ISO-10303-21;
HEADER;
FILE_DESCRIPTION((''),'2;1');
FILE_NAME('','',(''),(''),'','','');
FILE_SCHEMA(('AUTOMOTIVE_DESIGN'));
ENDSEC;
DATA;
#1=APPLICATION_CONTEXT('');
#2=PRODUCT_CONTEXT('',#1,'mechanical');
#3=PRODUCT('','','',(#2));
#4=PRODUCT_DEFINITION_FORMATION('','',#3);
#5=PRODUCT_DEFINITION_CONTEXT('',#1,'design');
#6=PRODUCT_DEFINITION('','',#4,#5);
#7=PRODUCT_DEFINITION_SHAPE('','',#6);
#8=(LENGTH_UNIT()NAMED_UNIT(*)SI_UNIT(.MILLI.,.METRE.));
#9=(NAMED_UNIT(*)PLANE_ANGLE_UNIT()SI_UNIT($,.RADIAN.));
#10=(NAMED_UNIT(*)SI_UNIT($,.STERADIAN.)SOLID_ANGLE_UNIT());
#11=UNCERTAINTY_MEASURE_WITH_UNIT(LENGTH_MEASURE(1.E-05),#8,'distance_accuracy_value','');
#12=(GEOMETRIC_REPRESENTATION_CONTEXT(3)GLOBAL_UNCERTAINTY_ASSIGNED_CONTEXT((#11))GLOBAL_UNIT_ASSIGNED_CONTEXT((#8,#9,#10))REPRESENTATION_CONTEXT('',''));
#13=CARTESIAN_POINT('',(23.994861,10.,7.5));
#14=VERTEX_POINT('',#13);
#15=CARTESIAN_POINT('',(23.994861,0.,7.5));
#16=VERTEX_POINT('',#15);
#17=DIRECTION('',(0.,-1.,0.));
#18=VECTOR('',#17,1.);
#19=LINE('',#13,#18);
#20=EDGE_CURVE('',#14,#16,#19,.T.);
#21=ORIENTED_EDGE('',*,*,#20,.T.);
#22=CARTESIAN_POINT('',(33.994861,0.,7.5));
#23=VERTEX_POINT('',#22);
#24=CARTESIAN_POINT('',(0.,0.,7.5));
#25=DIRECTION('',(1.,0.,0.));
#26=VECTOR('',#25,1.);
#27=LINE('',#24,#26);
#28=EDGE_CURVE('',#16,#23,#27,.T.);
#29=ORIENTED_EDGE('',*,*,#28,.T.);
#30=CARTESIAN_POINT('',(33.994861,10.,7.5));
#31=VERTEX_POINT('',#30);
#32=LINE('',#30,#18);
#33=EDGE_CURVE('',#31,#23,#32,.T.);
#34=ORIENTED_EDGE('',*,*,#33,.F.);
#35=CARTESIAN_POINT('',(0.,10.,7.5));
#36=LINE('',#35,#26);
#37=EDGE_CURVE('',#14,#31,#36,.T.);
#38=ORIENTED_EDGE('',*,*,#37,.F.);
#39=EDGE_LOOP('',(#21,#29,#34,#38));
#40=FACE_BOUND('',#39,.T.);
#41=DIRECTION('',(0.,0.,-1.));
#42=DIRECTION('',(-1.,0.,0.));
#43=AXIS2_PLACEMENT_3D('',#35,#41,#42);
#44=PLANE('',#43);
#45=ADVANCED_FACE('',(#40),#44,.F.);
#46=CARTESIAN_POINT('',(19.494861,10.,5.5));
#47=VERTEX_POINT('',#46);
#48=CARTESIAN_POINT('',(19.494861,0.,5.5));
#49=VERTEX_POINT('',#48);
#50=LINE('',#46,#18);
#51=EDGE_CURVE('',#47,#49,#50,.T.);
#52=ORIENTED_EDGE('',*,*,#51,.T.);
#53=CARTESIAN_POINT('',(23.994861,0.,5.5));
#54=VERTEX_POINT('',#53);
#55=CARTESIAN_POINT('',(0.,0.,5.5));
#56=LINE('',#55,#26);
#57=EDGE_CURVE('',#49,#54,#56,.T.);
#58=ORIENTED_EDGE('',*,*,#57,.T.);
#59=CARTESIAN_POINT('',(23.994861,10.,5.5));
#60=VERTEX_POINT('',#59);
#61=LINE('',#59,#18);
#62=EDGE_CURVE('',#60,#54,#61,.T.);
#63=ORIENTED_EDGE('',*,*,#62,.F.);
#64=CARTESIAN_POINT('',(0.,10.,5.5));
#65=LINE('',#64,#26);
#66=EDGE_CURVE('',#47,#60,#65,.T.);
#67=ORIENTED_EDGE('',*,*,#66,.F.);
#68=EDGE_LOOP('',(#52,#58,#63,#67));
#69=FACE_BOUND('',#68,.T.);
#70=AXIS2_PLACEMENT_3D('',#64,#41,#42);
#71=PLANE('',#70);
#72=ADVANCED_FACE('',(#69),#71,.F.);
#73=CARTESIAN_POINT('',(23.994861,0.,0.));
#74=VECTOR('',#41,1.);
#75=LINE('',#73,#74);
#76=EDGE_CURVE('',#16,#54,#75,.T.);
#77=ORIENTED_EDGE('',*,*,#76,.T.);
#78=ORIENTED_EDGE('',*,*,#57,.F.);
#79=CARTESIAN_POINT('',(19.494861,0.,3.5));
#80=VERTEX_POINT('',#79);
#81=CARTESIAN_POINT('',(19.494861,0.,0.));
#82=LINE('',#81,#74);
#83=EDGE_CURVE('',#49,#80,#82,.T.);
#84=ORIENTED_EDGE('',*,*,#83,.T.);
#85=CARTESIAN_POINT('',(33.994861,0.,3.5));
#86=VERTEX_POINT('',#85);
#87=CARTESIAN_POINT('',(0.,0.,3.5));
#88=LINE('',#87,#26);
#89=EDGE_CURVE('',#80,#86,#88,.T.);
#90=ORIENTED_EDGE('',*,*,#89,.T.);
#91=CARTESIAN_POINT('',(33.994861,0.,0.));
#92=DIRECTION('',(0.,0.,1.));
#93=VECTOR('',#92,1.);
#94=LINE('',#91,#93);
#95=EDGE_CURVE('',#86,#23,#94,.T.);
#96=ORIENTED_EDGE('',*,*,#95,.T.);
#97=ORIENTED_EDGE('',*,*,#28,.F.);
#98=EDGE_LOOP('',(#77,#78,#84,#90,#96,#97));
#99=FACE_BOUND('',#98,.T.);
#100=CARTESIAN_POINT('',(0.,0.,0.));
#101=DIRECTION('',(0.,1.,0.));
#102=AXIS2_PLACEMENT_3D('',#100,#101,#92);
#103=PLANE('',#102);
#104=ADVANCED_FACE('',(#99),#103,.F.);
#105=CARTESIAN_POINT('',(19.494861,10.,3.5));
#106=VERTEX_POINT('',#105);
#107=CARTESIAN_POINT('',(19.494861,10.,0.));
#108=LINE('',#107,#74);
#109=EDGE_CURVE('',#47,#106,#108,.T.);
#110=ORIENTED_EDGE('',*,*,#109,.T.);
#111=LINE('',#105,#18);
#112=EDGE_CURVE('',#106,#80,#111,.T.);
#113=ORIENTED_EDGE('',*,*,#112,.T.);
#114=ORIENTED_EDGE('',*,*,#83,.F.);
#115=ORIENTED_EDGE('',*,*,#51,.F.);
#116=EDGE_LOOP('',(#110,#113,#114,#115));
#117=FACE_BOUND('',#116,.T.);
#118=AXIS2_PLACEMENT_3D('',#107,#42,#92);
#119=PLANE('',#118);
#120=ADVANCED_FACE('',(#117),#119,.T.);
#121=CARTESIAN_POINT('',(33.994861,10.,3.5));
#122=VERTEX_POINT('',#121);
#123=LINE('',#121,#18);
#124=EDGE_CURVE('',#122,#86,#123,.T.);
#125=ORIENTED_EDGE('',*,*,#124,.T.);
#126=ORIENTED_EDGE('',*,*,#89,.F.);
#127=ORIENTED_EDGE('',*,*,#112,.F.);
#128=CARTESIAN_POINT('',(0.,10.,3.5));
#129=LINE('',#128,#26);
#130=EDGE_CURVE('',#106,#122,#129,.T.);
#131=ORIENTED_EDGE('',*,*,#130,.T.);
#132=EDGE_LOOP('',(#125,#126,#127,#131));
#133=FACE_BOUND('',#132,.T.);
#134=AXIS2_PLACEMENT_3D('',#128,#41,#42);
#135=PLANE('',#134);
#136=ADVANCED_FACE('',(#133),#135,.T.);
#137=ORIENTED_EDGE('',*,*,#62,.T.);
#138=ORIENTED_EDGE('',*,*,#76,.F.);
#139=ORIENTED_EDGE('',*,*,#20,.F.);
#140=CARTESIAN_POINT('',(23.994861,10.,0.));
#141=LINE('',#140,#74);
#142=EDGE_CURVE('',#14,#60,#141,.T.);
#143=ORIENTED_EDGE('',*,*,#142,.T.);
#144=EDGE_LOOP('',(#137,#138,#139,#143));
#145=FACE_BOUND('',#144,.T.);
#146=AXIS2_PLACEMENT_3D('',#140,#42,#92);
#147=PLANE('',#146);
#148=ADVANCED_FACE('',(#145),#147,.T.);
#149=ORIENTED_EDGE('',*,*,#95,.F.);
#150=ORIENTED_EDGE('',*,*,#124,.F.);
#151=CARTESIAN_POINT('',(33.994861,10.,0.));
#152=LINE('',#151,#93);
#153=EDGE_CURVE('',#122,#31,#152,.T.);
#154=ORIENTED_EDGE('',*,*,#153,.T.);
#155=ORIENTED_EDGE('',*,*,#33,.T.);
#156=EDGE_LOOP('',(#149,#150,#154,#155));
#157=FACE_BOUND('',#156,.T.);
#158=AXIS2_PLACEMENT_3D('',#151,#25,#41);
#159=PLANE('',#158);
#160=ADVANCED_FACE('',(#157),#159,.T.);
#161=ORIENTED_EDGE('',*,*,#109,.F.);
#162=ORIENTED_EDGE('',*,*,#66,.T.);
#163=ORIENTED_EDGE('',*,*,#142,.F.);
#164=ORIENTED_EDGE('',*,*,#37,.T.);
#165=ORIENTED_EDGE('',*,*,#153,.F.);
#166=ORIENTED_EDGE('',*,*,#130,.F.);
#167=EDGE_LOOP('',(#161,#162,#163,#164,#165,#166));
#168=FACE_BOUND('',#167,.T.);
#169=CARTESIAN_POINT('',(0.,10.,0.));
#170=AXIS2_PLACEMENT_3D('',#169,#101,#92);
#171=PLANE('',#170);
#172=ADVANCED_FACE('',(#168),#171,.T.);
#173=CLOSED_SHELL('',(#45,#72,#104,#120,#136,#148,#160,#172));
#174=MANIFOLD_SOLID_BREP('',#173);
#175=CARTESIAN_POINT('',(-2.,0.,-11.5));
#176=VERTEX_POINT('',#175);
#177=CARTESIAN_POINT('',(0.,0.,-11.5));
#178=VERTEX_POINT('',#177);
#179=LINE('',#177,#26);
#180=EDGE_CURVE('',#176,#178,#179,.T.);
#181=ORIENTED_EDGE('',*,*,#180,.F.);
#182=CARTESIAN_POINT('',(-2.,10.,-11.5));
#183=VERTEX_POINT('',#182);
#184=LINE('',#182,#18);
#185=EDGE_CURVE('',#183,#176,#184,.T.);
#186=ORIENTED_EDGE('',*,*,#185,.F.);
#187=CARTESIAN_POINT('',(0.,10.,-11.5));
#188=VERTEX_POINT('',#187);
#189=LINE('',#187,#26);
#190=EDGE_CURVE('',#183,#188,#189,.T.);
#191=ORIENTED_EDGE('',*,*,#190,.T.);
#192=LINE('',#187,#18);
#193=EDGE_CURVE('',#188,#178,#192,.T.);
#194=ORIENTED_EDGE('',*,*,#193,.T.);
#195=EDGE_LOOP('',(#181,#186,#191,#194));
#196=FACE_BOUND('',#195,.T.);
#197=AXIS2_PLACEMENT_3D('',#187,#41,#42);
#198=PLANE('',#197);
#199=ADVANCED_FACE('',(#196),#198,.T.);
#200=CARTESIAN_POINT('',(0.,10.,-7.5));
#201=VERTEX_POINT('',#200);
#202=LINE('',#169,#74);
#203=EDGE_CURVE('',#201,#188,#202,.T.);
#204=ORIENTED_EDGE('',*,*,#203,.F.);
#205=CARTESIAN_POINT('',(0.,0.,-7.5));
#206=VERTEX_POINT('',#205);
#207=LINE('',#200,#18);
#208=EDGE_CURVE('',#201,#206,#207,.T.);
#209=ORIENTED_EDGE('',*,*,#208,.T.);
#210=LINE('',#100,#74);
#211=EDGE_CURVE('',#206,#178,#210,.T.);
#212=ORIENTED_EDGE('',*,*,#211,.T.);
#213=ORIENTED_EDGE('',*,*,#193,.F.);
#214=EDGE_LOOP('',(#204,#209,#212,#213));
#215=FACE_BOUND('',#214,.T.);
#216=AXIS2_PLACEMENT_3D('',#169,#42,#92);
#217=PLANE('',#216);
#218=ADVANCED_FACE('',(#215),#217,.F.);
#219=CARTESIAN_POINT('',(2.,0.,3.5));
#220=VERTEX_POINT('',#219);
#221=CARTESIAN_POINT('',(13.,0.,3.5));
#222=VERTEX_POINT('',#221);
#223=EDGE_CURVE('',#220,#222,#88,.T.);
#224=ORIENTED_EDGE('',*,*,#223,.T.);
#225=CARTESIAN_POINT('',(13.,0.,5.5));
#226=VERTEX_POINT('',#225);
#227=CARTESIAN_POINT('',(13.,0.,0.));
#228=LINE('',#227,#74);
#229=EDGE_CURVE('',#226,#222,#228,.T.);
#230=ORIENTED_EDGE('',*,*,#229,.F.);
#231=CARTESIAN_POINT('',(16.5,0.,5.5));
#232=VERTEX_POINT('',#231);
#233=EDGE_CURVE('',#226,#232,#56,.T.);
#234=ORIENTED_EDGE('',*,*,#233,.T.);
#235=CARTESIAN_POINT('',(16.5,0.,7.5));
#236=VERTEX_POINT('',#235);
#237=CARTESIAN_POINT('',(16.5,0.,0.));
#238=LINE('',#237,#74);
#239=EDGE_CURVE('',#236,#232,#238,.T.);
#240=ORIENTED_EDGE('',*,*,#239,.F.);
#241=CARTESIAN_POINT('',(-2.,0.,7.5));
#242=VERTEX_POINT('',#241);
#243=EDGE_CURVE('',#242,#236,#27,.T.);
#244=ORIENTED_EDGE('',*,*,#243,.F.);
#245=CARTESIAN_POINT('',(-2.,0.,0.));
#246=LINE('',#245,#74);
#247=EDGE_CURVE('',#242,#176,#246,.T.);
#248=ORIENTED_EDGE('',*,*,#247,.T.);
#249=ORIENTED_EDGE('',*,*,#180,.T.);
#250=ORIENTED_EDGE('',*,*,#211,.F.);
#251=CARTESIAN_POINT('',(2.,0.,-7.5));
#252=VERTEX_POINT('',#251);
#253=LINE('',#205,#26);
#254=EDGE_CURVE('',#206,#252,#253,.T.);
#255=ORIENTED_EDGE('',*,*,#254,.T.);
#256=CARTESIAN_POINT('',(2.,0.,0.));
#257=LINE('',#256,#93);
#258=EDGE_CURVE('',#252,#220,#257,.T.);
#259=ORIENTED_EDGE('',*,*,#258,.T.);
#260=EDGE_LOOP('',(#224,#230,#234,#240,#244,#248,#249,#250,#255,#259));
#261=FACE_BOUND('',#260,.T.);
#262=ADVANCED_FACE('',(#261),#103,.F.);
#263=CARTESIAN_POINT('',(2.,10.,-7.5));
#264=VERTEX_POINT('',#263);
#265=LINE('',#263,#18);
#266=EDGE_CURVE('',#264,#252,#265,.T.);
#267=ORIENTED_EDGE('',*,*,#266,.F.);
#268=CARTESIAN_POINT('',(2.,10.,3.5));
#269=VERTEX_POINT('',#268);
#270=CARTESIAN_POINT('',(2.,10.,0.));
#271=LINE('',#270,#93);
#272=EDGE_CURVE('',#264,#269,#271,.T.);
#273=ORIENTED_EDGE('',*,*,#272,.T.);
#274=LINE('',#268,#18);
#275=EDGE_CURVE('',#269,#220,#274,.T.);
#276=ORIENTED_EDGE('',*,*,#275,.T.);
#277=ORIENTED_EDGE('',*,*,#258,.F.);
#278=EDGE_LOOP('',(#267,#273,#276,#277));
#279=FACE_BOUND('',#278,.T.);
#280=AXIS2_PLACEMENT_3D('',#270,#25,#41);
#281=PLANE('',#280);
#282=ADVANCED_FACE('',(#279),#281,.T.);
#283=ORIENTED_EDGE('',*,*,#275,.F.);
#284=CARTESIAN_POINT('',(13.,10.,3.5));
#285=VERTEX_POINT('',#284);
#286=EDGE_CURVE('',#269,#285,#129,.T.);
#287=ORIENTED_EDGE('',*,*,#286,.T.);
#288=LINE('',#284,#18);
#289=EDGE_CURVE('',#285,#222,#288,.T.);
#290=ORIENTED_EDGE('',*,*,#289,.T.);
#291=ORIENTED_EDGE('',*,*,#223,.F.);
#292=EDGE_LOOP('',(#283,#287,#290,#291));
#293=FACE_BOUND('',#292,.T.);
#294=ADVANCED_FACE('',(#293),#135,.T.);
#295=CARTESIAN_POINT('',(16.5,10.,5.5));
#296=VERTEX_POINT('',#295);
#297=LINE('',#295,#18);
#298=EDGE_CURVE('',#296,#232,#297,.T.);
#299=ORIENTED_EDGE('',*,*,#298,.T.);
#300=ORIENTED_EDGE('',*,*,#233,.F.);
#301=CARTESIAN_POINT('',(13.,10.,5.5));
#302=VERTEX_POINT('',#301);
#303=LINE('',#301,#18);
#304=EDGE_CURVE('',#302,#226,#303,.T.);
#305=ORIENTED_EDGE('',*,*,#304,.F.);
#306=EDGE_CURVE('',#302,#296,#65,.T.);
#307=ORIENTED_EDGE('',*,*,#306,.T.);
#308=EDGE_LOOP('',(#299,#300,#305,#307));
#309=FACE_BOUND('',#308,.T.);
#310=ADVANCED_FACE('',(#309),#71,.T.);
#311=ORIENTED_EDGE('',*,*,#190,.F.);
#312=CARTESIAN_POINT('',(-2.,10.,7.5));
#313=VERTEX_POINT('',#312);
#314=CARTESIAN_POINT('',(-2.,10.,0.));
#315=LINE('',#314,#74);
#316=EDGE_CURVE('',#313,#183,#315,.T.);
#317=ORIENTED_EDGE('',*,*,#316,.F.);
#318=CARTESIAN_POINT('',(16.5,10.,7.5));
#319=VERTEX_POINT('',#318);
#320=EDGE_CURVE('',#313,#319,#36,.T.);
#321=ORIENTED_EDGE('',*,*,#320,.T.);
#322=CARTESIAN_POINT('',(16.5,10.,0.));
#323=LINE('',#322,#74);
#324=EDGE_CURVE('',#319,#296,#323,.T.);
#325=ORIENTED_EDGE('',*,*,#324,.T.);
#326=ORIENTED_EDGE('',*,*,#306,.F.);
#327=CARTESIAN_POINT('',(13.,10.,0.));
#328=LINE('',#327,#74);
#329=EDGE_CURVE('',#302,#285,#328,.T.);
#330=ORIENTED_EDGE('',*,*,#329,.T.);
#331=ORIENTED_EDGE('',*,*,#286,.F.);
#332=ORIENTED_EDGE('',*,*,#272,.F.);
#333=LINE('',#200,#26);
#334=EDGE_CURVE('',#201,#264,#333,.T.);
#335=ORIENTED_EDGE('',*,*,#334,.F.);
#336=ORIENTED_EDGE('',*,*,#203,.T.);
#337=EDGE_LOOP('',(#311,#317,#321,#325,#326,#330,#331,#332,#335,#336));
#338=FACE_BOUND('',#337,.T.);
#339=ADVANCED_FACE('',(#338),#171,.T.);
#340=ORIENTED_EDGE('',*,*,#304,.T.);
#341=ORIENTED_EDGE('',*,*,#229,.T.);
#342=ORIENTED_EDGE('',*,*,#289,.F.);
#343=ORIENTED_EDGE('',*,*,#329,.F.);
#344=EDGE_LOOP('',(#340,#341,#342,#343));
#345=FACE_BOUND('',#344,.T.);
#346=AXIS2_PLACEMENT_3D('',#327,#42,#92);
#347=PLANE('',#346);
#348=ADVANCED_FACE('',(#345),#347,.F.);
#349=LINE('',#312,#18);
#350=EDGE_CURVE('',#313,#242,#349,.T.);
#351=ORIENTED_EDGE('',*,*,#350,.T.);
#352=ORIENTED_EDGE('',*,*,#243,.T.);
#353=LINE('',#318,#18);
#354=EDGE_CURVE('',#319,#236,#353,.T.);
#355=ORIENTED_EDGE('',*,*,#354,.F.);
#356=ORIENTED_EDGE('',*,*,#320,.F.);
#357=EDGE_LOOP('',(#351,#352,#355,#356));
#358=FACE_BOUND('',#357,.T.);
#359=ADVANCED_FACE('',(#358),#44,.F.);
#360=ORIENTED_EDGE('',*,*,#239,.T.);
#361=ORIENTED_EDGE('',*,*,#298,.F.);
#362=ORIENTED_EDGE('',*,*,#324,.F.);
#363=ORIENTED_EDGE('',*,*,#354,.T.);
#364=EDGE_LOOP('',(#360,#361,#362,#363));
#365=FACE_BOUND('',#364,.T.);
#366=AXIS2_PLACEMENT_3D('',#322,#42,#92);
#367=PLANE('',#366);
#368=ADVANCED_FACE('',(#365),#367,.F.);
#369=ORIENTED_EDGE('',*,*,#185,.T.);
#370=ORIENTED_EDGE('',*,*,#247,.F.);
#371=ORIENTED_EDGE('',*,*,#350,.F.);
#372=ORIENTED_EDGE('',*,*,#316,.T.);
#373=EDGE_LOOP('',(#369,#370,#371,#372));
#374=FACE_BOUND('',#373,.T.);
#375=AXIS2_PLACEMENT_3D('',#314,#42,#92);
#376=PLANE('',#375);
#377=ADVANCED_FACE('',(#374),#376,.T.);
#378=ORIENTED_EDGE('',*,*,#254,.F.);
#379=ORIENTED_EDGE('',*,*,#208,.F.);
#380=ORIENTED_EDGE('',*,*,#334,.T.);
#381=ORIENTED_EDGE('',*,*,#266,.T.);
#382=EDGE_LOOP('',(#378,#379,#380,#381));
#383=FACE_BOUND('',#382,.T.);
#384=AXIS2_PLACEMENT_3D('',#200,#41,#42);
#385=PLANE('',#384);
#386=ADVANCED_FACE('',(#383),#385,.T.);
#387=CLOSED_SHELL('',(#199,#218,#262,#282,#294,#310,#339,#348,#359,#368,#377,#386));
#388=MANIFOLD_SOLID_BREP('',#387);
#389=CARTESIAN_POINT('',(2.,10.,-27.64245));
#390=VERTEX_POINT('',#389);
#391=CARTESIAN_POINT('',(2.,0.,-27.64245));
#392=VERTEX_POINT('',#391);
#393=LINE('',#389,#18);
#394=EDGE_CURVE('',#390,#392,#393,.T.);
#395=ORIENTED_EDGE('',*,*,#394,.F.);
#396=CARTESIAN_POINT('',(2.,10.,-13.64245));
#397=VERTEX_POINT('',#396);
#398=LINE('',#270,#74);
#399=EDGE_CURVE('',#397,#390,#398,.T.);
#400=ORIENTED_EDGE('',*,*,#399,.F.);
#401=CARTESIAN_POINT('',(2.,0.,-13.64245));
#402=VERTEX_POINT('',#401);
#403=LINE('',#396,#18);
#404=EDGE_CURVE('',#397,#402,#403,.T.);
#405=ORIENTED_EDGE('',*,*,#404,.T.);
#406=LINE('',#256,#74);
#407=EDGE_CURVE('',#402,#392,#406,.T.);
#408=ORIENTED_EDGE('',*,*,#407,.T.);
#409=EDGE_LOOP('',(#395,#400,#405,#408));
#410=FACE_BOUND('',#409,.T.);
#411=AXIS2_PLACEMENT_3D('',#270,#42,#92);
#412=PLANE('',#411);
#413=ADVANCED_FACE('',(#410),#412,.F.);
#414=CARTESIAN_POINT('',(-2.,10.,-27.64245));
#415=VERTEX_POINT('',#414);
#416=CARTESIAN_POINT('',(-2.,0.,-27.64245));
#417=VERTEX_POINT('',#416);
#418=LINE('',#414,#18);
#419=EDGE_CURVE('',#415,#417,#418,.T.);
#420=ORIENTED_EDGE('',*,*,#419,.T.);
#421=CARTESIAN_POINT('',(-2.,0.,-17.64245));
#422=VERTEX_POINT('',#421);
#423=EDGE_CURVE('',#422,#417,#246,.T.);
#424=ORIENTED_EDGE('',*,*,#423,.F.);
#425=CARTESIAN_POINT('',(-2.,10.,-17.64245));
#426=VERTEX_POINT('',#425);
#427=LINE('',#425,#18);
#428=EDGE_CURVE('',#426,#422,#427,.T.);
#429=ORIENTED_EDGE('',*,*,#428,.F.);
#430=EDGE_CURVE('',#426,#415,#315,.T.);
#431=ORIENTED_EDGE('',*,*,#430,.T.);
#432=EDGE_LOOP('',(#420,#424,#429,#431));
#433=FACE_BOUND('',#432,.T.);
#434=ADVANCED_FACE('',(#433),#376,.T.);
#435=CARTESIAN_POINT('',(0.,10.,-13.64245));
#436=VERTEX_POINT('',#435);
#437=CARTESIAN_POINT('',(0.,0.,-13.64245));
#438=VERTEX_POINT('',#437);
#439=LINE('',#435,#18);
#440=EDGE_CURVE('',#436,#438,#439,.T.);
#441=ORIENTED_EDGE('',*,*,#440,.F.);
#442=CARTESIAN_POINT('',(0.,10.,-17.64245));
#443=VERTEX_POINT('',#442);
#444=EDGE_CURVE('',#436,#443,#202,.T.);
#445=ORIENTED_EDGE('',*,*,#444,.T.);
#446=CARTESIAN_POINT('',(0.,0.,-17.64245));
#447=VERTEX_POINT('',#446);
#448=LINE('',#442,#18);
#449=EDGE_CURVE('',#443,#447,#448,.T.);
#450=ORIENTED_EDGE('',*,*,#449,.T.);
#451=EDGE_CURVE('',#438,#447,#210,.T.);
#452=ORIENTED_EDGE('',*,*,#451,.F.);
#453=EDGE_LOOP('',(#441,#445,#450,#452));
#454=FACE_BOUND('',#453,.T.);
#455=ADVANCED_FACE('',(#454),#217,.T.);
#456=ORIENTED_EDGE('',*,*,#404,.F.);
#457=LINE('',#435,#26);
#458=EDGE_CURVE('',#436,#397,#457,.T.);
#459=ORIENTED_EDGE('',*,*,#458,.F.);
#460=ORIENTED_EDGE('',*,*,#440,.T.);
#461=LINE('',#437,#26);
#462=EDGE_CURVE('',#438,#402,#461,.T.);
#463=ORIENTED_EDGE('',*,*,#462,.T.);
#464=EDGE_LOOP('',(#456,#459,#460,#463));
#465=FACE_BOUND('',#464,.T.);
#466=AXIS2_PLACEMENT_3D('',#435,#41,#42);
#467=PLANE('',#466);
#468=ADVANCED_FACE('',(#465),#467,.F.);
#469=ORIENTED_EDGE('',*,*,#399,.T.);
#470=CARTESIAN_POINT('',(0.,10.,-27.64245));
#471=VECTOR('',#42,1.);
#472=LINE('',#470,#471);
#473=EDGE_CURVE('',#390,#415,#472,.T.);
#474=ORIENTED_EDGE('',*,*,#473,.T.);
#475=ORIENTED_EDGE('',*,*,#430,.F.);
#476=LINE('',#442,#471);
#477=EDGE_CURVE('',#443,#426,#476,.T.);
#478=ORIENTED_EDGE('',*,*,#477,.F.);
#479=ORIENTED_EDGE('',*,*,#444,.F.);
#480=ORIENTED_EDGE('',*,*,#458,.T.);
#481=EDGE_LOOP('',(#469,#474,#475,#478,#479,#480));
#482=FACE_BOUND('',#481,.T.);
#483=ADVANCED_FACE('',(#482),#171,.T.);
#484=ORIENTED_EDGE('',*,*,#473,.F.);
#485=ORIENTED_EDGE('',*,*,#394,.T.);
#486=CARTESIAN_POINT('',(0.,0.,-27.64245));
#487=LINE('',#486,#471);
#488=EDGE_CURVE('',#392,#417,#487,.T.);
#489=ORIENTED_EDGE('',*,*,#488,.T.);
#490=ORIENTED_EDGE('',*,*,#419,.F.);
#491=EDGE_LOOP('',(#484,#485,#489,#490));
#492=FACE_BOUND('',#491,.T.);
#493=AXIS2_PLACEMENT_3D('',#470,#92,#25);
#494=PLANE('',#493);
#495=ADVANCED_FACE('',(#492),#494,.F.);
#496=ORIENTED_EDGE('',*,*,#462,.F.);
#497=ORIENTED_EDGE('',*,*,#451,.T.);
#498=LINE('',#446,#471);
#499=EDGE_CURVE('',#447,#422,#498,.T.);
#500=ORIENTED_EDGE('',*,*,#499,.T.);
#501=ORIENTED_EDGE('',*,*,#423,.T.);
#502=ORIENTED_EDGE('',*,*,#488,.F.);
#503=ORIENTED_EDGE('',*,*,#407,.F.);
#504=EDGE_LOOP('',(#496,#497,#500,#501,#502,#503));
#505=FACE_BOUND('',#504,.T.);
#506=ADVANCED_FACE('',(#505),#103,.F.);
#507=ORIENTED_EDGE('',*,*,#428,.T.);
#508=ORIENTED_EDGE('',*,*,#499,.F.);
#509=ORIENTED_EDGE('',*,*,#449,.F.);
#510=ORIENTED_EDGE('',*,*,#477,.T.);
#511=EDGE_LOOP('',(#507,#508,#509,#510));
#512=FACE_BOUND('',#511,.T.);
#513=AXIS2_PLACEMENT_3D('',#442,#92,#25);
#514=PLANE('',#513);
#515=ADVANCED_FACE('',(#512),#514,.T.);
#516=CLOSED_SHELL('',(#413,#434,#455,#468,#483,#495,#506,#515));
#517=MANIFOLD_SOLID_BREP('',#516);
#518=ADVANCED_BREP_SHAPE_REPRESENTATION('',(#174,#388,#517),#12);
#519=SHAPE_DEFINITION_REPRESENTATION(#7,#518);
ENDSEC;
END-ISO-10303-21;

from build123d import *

# Parameters (mm, degrees)
SKETCH1_W           = 2
SKETCH1_H           = 4
SKETCH1_W_2         = 4
SKETCH1_H_2         = 15
SKETCH1_W_3         = 4.5
SKETCH1_H_3         = 2
SKETCH1_W_4         = 3.5
BOSS_EXTRUDE1_DEPTH = 10


with BuildPart() as part:
    # Sketch1 → Boss-Extrude1 (new body)
    with BuildSketch(Plane(origin=(0, 0, 0), x_dir=(1, 0, 0), z_dir=(0, 1, 0))):
        Polygon((-2, 17.642450449), (0, 17.642450449), (2, 17.642450449), (2, 27.642450449), (-2, 27.642450449), align=None)
        with Locations((1, 15.642450449)):
            Rectangle(SKETCH1_W, SKETCH1_H)
        with Locations((-1, 9.5)):
            Rectangle(SKETCH1_W, SKETCH1_H)
        Rectangle(SKETCH1_W_2, SKETCH1_H_2)
        Polygon((2, -3.5), (2, -7.5), (13, -7.5), (13, -5.5), (13, -3.5), align=None)
        with Locations((21.744860515, -4.5)):
            Rectangle(SKETCH1_W_3, SKETCH1_H_3)
        with Locations((14.75, -6.5)):
            Rectangle(SKETCH1_W_4, SKETCH1_H_3)
        Polygon((23.994860515, -3.5), (23.994860515, -5.5), (23.994860515, -7.5), (33.994860515, -7.5), (33.994860515, -3.5), align=None)
    extrude(amount=BOSS_EXTRUDE1_DEPTH)


solid = part.part
